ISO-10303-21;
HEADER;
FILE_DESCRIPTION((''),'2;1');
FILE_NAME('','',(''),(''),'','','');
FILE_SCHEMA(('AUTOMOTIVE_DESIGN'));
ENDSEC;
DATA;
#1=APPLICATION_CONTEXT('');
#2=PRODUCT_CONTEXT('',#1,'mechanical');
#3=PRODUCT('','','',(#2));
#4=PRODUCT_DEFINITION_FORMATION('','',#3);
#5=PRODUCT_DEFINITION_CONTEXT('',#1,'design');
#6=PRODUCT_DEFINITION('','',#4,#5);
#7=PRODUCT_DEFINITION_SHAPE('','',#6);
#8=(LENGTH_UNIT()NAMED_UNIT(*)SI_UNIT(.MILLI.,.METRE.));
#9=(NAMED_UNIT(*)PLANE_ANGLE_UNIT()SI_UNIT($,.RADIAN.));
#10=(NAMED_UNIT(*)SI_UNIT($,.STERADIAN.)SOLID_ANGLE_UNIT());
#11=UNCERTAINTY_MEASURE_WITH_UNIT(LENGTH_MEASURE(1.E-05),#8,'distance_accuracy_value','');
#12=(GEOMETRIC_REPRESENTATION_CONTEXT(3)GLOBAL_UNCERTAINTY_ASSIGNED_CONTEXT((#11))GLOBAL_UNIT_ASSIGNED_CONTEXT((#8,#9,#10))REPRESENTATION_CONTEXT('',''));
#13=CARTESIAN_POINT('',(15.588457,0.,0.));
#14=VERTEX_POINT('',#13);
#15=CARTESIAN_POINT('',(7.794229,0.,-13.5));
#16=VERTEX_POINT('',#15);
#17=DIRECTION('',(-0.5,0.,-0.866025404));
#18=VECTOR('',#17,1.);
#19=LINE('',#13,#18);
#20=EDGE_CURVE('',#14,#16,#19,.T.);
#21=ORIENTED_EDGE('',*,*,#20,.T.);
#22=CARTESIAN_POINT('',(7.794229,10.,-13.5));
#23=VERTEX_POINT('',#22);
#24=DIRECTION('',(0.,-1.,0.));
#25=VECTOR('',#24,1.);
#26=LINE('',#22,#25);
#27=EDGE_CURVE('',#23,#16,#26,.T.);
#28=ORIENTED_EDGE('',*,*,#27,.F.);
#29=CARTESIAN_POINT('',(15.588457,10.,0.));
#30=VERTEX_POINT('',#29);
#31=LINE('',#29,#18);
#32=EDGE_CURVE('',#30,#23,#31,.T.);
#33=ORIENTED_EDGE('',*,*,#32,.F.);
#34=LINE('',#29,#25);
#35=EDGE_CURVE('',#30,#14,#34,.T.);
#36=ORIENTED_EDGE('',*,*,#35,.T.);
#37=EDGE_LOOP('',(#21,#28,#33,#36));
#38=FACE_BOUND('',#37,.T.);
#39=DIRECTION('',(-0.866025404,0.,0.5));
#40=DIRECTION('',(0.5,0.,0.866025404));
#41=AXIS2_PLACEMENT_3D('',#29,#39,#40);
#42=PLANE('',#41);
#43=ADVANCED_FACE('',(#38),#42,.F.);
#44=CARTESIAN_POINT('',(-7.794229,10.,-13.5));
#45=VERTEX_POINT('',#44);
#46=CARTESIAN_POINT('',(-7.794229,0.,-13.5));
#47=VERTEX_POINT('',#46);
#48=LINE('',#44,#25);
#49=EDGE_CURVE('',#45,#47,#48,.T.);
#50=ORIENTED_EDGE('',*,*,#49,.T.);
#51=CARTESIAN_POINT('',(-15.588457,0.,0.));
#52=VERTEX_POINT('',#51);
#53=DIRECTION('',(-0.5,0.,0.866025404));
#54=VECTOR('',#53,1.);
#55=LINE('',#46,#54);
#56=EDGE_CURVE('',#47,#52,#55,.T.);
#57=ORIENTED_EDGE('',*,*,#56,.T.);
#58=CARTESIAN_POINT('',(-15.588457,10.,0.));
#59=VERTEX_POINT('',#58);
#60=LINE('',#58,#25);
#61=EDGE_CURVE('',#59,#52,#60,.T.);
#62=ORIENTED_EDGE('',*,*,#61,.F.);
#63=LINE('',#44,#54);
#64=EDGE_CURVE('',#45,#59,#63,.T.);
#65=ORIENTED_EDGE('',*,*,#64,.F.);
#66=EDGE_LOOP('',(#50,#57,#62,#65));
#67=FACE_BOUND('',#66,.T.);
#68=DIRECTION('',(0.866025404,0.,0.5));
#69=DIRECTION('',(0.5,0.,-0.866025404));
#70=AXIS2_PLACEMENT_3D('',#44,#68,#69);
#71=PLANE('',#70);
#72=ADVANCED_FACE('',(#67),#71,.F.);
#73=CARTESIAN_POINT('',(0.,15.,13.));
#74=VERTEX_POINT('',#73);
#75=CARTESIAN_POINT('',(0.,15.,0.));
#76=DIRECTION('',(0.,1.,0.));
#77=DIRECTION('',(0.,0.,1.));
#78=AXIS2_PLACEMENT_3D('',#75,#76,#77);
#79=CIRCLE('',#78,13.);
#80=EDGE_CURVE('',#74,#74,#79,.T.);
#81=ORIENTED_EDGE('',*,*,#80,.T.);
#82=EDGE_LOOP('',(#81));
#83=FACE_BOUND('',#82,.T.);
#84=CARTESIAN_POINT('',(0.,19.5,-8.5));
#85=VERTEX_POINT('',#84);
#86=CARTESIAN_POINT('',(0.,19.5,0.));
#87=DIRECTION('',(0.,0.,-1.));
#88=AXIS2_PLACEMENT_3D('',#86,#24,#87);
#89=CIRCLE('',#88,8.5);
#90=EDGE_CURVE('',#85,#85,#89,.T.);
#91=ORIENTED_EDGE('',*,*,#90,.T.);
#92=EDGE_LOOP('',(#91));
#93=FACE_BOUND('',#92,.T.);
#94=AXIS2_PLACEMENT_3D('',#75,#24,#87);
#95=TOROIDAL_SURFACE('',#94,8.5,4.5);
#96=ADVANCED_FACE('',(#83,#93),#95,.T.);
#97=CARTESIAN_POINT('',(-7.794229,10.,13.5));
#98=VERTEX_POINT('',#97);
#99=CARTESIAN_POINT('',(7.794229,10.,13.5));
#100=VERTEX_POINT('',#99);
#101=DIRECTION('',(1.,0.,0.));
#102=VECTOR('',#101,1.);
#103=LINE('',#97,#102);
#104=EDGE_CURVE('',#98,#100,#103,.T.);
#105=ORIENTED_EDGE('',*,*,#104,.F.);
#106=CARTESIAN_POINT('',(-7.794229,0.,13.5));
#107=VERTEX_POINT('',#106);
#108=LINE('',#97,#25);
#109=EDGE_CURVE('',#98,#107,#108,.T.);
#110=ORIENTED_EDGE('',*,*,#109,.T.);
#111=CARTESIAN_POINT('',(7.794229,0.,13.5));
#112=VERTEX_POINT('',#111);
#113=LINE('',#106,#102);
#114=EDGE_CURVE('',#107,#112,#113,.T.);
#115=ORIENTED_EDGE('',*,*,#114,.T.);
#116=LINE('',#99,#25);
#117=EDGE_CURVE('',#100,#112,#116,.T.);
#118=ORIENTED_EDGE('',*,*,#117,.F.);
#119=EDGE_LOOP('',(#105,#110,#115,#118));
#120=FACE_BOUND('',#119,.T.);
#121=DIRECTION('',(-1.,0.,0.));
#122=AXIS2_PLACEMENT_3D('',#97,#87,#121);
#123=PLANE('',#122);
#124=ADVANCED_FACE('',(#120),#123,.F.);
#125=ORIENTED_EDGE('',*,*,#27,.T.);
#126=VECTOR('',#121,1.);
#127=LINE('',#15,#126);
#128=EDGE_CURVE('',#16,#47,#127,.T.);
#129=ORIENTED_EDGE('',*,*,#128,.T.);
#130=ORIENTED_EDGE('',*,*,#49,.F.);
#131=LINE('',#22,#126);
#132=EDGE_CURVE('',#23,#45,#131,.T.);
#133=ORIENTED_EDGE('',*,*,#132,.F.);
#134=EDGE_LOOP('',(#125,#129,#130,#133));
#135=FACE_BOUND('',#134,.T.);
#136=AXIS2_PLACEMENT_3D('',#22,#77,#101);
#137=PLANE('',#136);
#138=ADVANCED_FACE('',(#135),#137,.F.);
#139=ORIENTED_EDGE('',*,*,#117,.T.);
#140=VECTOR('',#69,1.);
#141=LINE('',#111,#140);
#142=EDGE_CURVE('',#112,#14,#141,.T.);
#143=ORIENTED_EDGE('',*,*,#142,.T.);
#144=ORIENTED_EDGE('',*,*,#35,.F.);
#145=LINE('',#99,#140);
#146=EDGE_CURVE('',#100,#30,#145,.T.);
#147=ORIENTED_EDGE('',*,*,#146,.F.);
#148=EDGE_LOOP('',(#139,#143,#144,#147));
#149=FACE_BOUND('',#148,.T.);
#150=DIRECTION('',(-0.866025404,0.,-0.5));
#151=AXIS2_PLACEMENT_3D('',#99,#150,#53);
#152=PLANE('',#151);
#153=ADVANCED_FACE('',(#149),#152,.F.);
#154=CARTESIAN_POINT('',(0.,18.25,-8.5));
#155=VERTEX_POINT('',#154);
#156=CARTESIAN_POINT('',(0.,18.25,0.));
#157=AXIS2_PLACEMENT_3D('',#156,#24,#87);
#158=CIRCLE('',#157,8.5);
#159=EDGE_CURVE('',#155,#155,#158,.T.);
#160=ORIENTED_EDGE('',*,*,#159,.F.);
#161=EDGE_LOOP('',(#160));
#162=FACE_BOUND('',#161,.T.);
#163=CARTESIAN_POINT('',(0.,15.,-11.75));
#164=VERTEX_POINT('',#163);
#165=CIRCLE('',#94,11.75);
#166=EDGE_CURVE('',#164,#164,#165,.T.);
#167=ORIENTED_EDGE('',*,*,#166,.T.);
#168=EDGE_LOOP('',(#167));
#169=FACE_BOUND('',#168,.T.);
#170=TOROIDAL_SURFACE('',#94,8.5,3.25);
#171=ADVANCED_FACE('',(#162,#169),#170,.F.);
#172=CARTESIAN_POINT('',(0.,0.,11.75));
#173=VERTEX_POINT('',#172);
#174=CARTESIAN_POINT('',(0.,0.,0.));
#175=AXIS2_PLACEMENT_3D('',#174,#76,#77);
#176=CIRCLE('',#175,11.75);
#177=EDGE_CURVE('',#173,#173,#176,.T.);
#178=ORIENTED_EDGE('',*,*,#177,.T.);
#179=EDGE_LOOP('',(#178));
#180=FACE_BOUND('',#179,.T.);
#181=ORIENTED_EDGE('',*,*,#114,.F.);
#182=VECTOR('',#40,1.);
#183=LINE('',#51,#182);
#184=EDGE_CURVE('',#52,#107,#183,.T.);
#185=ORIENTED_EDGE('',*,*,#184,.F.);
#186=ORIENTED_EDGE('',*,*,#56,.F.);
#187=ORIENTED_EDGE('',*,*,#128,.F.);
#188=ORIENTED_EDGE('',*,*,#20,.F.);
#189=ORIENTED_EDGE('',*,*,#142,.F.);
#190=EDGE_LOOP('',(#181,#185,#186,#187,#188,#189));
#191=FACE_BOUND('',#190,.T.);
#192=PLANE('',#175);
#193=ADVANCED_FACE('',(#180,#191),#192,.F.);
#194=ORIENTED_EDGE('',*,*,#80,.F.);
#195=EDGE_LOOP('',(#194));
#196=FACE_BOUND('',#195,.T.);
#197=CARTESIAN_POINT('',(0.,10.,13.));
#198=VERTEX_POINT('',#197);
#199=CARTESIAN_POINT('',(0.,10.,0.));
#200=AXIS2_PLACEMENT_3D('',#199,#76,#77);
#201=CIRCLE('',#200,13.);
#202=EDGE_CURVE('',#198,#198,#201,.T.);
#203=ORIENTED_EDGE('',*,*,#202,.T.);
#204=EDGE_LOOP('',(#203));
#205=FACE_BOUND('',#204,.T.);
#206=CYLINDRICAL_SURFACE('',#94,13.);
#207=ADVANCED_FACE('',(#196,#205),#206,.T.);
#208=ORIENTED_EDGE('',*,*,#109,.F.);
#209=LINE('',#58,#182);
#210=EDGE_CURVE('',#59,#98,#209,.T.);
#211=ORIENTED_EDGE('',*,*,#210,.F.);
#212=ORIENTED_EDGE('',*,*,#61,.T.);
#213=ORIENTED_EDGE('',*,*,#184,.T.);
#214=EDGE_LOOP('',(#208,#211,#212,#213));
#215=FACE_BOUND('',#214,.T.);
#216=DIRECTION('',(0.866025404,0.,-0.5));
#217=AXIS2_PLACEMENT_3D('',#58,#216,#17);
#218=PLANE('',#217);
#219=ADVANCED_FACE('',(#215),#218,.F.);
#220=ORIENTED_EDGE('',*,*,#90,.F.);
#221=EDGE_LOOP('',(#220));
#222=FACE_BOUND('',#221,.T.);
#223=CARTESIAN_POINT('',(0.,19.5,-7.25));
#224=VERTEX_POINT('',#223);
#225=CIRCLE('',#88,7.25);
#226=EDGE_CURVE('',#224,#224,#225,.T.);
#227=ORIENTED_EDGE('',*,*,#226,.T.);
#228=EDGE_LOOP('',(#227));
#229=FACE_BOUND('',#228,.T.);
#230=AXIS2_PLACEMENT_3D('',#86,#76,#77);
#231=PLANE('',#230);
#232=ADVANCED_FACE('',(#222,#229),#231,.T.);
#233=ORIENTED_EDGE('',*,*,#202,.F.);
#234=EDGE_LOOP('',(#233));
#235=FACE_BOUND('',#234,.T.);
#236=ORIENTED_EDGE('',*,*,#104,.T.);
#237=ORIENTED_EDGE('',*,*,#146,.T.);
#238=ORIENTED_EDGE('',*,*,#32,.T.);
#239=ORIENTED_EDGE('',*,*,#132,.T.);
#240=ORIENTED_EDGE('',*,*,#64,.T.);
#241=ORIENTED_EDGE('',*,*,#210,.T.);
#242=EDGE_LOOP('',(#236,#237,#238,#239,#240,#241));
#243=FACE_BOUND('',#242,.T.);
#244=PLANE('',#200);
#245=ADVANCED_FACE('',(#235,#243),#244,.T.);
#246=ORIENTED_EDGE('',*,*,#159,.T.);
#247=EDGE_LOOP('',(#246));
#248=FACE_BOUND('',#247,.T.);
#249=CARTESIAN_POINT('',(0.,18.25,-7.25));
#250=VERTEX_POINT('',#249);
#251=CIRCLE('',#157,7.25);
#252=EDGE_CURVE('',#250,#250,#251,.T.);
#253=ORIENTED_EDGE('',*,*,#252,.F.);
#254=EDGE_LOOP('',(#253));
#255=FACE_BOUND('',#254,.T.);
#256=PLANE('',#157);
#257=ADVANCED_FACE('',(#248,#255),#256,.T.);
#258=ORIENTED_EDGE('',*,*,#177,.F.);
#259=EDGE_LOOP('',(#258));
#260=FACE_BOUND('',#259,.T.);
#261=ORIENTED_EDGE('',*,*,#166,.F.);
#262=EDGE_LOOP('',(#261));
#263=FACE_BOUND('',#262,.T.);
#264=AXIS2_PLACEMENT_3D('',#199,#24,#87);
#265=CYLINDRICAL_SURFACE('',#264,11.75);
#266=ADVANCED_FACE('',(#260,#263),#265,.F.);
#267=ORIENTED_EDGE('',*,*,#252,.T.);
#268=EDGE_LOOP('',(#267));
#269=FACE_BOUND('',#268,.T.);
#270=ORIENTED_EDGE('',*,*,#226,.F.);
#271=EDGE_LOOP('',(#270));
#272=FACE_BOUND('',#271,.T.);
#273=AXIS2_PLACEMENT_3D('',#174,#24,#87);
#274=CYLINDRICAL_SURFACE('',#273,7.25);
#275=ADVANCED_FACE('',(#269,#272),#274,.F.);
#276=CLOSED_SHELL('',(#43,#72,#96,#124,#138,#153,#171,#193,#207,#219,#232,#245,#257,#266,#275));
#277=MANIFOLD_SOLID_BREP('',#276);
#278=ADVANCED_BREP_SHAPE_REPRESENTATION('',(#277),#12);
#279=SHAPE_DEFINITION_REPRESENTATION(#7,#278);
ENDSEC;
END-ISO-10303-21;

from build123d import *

# Parameters (mm, degrees)
SKIZZE1_R                       = 11.75
AUFSATZ_LINEAR_AUSTRAGEN1_DEPTH = 10
SKIZZE2_R                       = 13
SKIZZE2_R_2                     = 11.75
AUFSATZ_LINEAR_AUSTRAGEN2_DEPTH = 5


with BuildPart() as part:
    # Skizze1 → Aufsatz-Linear austragen1 (new body)
    with BuildSketch(Plane(origin=(0, 0, 0), x_dir=(1, 0, 0), z_dir=(0, 1, 0))):
        Polygon((15.588457268, 0), (7.794228634, 13.5), (-7.794228634, 13.5), (-15.588457268, 0), (-7.794228634, -13.5), (7.794228634, -13.5), align=None)
        with Locations(Location((0, 0, 0), (0, 0, 270))):
            Circle(SKIZZE1_R, mode=Mode.SUBTRACT)
    extrude(amount=AUFSATZ_LINEAR_AUSTRAGEN1_DEPTH)

    # Skizze2 → Aufsatz-Linear austragen2 (add)
    with BuildSketch(Plane(origin=(0, 10, 0), x_dir=(1, 0, 0), z_dir=(0, 1, 0))):
        with Locations(Location((0, 0, 0), (0, 0, 270))):
            Circle(SKIZZE2_R)
        with Locations(Location((0, 0, 0), (0, 0, 270))):
            Circle(SKIZZE2_R_2, mode=Mode.SUBTRACT)
    extrude(amount=AUFSATZ_LINEAR_AUSTRAGEN2_DEPTH)

    # Skizze3 → Rotation1 (revolve)
    with BuildSketch(Plane.XY, mode=Mode.PRIVATE) as rotation1_sk:
        with BuildLine():
            Line((-13, 15), (-11.75, 15))
            ThreePointArc((-11.75, 15), (-10.798097039, 17.298097039), (-8.5, 18.25))
            Line((-8.5, 18.25), (-7.25, 18.25))
            Line((-7.25, 18.25), (-7.25, 19.5))
            Line((-7.25, 19.5), (-8.5, 19.5))
            ThreePointArc((-8.5, 19.5), (-11.681980515, 18.181980515), (-13, 15))
        make_face()
    revolve(rotation1_sk.sketch.rotate(Axis((0, 0, 0), (0, 1, 0)), 270), axis=Axis((0, 0, 0), (0, 1, 0)))


solid = part.part
